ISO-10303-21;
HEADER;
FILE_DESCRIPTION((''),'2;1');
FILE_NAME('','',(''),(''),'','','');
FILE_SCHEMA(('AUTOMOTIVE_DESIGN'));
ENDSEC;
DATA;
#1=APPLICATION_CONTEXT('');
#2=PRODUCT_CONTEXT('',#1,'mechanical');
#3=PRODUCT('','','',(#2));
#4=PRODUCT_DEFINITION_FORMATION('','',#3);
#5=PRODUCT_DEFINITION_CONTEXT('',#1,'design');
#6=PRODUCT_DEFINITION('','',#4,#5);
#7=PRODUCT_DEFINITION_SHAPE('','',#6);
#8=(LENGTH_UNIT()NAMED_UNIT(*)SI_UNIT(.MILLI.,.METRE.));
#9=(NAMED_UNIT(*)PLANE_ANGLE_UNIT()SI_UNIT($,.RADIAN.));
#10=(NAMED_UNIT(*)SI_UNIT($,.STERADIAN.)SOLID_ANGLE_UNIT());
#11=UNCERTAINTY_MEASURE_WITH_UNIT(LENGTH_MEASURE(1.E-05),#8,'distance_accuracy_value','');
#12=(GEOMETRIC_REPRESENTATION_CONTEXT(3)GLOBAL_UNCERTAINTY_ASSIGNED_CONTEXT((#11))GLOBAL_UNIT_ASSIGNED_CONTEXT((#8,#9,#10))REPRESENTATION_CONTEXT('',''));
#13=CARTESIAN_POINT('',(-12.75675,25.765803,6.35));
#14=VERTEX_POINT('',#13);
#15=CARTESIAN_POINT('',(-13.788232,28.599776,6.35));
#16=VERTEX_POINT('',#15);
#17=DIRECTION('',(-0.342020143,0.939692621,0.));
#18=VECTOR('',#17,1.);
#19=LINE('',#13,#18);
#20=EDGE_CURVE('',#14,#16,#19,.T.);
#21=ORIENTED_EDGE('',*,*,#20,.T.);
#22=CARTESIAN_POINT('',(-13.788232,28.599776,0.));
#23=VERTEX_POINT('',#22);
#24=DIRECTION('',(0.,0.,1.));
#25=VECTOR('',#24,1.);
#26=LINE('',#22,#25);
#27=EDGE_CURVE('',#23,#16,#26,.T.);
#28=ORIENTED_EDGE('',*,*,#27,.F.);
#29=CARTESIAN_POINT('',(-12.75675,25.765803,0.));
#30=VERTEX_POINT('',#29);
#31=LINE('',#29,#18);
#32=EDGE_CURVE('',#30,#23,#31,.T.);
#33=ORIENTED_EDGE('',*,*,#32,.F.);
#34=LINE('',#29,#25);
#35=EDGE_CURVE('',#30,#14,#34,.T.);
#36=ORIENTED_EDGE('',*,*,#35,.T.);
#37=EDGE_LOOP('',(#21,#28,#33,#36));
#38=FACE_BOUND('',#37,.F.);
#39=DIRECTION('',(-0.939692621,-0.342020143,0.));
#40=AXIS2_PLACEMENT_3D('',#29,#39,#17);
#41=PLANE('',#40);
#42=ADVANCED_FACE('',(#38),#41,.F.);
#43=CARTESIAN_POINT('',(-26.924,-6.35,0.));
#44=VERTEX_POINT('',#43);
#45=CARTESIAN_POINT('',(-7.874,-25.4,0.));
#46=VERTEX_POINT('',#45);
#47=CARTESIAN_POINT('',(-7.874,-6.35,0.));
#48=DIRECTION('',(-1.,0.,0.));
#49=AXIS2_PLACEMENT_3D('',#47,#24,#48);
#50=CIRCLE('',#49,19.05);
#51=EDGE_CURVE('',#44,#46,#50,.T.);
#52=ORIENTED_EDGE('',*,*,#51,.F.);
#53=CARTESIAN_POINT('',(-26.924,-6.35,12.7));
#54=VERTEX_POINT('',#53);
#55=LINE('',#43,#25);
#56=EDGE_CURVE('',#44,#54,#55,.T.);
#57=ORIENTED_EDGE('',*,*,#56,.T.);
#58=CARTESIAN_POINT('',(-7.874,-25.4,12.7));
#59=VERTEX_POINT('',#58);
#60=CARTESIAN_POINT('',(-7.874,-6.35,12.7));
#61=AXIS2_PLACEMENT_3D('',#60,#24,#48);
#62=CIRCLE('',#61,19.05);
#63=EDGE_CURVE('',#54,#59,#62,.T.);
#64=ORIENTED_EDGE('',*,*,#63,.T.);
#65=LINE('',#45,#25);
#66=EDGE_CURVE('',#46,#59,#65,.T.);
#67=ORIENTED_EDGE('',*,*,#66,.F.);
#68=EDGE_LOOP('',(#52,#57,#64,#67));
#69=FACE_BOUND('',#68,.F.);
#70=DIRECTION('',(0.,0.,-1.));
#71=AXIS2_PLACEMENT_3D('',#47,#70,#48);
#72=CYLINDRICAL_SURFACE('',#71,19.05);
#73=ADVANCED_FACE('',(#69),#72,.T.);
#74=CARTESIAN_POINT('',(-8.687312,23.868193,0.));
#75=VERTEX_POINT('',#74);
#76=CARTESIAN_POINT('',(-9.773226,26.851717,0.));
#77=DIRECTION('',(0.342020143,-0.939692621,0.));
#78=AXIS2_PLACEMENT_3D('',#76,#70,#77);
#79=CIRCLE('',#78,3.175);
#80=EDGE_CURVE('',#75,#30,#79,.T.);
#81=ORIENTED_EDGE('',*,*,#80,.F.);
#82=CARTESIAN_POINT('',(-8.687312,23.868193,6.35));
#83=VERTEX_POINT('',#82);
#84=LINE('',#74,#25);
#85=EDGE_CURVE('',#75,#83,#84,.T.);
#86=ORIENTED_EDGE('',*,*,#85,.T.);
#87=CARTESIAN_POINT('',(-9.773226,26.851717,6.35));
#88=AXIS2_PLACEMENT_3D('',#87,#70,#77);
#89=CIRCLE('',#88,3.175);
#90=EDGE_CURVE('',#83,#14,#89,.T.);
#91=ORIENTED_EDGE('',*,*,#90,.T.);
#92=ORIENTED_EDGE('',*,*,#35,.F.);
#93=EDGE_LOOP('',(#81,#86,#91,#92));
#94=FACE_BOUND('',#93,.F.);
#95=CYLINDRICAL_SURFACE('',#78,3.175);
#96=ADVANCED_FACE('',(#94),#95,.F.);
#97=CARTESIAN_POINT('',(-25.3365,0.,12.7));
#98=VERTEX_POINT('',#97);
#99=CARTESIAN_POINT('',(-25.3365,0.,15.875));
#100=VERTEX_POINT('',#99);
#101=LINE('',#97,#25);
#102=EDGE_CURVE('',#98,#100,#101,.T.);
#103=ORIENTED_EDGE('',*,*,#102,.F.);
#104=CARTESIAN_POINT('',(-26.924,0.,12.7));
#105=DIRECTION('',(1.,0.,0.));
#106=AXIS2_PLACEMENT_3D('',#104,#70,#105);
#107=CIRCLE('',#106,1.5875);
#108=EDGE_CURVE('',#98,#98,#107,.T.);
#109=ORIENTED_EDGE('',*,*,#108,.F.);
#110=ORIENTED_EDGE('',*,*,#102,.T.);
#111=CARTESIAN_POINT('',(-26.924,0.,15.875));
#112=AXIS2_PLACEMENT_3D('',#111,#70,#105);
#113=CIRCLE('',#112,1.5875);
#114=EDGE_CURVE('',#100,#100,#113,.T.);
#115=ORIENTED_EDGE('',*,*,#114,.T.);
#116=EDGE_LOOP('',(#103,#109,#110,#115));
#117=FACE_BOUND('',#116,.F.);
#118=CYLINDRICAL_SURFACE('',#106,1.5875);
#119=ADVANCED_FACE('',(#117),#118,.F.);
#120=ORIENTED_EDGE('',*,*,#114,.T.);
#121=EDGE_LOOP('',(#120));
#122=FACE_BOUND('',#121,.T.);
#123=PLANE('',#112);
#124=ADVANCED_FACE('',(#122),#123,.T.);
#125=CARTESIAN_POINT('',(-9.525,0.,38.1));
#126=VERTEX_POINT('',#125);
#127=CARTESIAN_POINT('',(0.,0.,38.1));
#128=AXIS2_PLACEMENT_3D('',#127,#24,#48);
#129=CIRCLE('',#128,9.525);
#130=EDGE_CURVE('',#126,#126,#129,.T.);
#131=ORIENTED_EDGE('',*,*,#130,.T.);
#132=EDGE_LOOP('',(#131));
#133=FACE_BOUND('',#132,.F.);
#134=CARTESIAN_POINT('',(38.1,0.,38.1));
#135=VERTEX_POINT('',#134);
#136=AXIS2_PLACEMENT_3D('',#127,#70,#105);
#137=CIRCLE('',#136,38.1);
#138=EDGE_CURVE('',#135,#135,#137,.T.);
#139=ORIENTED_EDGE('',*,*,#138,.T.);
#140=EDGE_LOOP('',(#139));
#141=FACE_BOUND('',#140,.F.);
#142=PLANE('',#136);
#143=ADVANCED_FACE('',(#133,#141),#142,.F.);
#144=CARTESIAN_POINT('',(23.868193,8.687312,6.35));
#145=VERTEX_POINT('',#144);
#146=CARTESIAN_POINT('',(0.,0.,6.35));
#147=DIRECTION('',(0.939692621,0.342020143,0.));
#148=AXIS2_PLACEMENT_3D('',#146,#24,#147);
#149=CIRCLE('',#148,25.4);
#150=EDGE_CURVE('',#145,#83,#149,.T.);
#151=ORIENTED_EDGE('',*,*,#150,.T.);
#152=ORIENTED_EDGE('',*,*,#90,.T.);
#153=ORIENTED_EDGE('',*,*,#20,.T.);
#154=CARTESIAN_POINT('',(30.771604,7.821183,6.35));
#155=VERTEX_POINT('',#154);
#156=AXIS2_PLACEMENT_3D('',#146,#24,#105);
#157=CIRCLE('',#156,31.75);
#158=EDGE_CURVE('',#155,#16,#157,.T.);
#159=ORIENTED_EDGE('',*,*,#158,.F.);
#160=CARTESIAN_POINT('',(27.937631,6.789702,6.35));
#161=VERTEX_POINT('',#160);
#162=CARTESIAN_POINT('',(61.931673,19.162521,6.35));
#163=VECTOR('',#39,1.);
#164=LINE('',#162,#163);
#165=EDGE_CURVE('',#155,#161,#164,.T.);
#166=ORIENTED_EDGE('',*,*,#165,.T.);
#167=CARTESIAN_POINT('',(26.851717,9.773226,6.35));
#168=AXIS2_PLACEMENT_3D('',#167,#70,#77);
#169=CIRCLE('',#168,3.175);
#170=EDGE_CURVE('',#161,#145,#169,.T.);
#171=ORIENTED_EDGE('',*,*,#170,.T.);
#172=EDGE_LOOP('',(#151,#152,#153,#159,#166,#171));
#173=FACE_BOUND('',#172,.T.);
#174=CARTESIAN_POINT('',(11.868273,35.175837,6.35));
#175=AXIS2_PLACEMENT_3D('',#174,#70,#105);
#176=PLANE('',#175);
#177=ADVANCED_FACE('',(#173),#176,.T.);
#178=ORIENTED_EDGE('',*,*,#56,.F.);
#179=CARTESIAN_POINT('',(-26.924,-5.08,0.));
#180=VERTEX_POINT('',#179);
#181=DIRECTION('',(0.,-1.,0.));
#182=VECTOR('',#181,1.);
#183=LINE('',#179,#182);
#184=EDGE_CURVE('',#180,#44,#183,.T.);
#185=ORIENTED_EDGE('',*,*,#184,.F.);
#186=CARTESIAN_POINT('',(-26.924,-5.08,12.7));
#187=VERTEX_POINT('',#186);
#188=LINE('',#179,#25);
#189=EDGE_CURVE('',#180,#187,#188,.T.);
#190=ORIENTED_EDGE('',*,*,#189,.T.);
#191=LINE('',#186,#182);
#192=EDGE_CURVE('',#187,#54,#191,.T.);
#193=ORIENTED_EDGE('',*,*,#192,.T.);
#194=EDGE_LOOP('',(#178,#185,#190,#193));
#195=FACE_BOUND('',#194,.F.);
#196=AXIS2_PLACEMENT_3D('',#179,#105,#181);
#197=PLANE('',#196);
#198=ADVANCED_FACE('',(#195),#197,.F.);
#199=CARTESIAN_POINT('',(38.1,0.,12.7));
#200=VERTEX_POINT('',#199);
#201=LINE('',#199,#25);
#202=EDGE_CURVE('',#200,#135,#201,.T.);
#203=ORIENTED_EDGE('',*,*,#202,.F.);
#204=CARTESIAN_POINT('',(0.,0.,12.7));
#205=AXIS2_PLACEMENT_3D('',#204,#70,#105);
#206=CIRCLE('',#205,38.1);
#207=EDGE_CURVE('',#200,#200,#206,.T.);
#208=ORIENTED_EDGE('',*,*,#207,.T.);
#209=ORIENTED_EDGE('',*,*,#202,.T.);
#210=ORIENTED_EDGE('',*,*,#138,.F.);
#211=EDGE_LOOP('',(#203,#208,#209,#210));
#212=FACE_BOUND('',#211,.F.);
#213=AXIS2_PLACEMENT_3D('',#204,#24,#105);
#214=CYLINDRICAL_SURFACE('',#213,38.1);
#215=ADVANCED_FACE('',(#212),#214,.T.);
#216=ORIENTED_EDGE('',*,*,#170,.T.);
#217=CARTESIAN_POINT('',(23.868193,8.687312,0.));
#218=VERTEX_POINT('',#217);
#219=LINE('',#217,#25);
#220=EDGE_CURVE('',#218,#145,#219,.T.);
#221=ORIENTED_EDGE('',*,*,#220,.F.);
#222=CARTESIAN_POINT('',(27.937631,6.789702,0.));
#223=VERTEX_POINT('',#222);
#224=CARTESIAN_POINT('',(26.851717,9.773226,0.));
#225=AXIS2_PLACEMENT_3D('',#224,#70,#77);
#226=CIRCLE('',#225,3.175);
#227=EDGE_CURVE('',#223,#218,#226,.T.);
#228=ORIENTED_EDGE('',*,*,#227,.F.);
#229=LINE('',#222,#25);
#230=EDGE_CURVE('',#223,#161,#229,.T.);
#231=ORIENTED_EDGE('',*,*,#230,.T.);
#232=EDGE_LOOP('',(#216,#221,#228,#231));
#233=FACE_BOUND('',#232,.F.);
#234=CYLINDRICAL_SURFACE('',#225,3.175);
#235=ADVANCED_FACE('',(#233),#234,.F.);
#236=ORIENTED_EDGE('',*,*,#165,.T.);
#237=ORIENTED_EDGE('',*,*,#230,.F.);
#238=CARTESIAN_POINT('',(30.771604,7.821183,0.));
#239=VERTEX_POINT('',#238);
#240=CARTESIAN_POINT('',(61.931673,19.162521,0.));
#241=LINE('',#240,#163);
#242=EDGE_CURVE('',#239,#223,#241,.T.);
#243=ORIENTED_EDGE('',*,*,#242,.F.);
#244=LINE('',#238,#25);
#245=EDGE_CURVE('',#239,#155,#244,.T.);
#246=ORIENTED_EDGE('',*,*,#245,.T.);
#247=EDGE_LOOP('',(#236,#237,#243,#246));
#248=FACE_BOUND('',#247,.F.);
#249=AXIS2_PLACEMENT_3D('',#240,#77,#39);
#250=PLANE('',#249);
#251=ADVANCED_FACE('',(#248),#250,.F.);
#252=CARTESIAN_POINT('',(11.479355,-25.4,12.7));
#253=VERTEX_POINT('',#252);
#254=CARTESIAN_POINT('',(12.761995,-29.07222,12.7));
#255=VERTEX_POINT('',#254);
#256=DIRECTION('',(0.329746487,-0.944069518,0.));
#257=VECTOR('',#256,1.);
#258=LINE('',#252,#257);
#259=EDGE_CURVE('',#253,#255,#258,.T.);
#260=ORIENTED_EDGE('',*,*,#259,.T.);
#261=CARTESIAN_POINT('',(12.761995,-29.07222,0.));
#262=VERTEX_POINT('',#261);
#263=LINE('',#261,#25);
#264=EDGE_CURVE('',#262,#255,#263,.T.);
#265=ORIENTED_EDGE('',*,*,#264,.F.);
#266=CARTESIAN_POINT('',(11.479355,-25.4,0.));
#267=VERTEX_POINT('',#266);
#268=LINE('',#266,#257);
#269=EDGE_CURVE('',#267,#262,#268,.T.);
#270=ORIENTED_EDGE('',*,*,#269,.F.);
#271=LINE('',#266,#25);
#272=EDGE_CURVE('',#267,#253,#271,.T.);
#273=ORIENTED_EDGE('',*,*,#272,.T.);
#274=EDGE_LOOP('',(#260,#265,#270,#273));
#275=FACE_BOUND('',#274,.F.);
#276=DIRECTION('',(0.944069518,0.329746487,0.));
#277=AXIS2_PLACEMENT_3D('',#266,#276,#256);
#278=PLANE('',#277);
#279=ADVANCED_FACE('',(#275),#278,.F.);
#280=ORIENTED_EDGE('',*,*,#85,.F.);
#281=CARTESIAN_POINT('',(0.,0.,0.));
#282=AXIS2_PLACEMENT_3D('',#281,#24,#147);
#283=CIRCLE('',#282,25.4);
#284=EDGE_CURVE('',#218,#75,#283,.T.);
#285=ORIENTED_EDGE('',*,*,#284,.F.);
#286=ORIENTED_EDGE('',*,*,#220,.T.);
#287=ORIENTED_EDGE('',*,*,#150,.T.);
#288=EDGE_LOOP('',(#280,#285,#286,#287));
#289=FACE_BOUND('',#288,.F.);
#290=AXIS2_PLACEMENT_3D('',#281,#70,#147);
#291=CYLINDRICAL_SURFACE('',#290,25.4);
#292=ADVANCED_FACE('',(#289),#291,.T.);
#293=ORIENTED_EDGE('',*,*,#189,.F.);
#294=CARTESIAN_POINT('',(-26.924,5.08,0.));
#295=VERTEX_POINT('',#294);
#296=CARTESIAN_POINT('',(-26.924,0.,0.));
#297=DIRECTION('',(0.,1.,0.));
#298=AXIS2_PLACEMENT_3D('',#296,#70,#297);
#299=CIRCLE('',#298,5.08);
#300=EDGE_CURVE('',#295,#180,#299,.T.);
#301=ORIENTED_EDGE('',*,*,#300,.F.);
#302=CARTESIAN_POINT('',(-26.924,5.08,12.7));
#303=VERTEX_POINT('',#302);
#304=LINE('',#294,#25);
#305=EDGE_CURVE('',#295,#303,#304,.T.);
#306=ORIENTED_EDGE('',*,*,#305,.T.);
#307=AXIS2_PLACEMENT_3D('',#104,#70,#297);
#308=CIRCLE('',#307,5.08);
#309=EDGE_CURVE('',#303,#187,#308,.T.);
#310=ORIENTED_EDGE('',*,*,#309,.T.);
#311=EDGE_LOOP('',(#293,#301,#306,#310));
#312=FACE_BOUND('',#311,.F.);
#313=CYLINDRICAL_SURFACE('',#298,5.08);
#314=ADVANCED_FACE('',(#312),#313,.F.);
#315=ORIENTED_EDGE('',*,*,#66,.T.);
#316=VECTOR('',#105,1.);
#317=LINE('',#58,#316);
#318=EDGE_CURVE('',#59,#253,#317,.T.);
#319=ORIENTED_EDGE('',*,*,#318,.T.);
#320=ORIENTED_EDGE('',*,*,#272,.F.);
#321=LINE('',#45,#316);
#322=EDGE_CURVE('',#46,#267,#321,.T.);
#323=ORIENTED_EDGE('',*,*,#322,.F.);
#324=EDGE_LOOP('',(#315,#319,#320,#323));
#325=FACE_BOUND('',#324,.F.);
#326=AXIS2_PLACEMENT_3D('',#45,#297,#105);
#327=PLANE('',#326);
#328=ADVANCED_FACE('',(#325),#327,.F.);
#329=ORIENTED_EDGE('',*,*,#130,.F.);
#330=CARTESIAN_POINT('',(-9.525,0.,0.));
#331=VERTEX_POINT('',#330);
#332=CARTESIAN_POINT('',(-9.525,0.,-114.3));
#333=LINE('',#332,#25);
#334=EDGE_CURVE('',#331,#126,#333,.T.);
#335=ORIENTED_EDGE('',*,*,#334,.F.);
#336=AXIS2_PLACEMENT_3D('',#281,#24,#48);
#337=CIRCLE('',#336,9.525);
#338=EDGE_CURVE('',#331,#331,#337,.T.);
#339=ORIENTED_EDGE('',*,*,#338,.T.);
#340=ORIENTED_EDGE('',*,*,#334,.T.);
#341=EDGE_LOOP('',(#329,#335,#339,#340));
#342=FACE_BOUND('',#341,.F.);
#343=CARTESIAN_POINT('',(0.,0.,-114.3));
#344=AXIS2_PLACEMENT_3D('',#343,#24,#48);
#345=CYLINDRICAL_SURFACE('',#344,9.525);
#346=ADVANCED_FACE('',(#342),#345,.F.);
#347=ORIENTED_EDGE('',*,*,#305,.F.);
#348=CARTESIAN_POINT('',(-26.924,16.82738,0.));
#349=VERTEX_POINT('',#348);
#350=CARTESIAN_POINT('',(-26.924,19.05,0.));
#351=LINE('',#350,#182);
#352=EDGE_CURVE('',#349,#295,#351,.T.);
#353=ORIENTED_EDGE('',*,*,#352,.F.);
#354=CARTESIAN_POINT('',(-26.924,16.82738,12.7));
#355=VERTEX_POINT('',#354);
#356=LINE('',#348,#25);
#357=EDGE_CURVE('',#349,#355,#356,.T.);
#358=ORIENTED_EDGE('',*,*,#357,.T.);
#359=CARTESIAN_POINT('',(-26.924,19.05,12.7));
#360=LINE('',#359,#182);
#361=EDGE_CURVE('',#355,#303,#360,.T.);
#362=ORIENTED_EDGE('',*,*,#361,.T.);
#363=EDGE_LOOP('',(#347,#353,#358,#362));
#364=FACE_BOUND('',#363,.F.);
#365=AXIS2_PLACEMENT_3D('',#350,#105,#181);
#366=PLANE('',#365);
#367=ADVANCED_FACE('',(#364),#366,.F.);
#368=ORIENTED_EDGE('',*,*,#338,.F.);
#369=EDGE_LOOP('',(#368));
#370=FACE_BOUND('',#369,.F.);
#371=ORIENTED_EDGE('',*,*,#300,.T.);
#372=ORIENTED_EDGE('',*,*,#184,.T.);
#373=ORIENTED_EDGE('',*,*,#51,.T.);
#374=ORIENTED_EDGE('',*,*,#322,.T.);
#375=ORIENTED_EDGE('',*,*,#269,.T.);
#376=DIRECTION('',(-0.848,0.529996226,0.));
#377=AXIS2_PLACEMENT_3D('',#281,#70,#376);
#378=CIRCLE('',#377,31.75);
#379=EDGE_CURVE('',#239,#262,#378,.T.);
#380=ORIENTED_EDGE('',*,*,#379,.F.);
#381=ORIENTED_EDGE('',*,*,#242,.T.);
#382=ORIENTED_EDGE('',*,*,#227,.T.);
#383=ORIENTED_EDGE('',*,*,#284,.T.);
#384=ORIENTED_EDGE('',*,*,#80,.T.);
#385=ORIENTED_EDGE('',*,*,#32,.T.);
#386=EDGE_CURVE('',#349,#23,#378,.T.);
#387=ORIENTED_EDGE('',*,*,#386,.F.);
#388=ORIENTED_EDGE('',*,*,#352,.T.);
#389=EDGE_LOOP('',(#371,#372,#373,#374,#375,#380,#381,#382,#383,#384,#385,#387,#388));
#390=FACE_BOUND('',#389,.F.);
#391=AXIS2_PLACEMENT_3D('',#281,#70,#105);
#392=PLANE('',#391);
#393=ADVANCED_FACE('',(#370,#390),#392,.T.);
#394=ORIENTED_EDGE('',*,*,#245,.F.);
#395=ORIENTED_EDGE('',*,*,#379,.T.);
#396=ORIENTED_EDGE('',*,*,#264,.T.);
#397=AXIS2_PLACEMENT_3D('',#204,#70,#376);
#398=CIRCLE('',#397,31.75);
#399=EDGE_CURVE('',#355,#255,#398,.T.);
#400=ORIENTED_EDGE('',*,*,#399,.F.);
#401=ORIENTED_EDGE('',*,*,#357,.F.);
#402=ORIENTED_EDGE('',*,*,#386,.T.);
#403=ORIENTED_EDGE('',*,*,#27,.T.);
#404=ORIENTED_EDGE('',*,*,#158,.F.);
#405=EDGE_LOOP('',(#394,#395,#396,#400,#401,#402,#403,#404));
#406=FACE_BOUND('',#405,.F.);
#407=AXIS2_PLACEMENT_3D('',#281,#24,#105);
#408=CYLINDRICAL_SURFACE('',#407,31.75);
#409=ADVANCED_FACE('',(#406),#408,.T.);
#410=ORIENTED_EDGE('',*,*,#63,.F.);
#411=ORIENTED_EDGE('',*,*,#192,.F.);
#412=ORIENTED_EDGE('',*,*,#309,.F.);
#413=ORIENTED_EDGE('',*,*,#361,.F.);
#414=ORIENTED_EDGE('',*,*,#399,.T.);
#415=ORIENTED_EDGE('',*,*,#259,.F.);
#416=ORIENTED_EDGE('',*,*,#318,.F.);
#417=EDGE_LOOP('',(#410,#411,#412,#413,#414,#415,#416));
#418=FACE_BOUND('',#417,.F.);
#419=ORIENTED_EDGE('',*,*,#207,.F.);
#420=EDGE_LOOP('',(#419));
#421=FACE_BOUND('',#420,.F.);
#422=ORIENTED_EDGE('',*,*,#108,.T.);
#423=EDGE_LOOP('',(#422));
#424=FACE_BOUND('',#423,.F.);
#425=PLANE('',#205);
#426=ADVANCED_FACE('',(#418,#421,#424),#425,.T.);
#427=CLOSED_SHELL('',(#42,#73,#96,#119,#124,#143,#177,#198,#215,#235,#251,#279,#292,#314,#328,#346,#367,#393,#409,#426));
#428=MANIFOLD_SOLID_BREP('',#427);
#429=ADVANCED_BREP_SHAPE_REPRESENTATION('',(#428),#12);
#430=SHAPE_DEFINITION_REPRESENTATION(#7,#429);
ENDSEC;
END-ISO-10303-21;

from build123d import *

# Parameters (mm, degrees)
F3_DEPTH = 12.7
F5_DEPTH = 6.35
F7_D     = 19.05
F8_R     = 1.5875
F9_DEPTH = 3.175


with BuildPart() as f1:
    # F0 (on Front) → F1 (revolve)
    with BuildSketch(Plane.XZ):
        Polygon((0, 0), (31.75, 0), (31.75, 12.7), (38.1, 12.7), (38.1, 38.1), (0, 38.1), align=None)
    revolve(axis=Axis((0, 0, 19.05), (0, 0, -1)))

    # F2 (on face) → F3 (cut)
    with BuildSketch(Plane(origin=(0, 0, 0), x_dir=(1, 0, 0), z_dir=(0, 0, -1))):
        with BuildLine():
            Line((11.4793549074, 25.4), (12.7619952542, 29.0722200241))
            Line((12.7619952542, 29.0722200241), (20.2202573419, 33.7093167499))
            Line((20.2202573419, 33.7093167499), (-32.5390584767, 29.2297520235))
            Line((-32.5390584767, 29.2297520235), (-48.7152673304, -19.05))
            Line((-48.7152673304, -19.05), (-26.924, -19.05))
            Line((-26.924, -19.05), (-26.924, -5.08))
            ThreePointArc((-26.924, -5.08), (-21.844, 0), (-26.924, 5.08))
            Line((-26.924, 5.08), (-26.924, 6.35))
            ThreePointArc((-26.924, 6.35), (-21.3443841816, 19.8203841816), (-7.874, 25.4))
            Line((-7.874, 25.4), (11.4793549074, 25.4))
        make_face()
    extrude(amount=-F3_DEPTH, mode=Mode.SUBTRACT)

    # F4 (on face) → F5 (cut)
    with BuildSketch(Plane(origin=(0, 0, 0), x_dir=(1, 0, 0), z_dir=(0, 0, -1))):
        with BuildLine():
            ThreePointArc((23.868192568, -8.6873116405), (10.7345038482, -23.0202177907), (-8.6873116405, -23.868192568))
            ThreePointArc((-8.6873116405, -23.868192568), (-11.1150385766, -23.9741894151), (-12.7567496665, -25.7658026839))
            Line((-12.7567496665, -25.7658026839), (-28.8802481167, -70.0647505985))
            Line((-28.8802481167, -70.0647505985), (61.9316732098, -19.1625211791))
            Line((61.9316732098, -19.1625211791), (27.937630594, -6.7897015245))
            ThreePointArc((27.937630594, -6.7897015245), (25.5099036579, -6.8956983717), (23.868192568, -8.6873116405))
        make_face()
    extrude(amount=-F5_DEPTH, mode=Mode.SUBTRACT)

    # F7 (through all)
    with Locations(Plane(origin=(0, 0, 0), x_dir=(1, 0, 0), z_dir=(0, 0, -1))):
        with Locations((0, 0)):
            Hole(F7_D / 2)

    # F8 (on face) → F9 (cut)
    with BuildSketch(Plane(origin=(0, 0, 12.7), x_dir=(1, 0, 0), z_dir=(0, 0, -1))):
        with Locations((-26.924, 0)):
            Circle(F8_R)
    extrude(amount=-F9_DEPTH, mode=Mode.SUBTRACT)


solid = f1.part
